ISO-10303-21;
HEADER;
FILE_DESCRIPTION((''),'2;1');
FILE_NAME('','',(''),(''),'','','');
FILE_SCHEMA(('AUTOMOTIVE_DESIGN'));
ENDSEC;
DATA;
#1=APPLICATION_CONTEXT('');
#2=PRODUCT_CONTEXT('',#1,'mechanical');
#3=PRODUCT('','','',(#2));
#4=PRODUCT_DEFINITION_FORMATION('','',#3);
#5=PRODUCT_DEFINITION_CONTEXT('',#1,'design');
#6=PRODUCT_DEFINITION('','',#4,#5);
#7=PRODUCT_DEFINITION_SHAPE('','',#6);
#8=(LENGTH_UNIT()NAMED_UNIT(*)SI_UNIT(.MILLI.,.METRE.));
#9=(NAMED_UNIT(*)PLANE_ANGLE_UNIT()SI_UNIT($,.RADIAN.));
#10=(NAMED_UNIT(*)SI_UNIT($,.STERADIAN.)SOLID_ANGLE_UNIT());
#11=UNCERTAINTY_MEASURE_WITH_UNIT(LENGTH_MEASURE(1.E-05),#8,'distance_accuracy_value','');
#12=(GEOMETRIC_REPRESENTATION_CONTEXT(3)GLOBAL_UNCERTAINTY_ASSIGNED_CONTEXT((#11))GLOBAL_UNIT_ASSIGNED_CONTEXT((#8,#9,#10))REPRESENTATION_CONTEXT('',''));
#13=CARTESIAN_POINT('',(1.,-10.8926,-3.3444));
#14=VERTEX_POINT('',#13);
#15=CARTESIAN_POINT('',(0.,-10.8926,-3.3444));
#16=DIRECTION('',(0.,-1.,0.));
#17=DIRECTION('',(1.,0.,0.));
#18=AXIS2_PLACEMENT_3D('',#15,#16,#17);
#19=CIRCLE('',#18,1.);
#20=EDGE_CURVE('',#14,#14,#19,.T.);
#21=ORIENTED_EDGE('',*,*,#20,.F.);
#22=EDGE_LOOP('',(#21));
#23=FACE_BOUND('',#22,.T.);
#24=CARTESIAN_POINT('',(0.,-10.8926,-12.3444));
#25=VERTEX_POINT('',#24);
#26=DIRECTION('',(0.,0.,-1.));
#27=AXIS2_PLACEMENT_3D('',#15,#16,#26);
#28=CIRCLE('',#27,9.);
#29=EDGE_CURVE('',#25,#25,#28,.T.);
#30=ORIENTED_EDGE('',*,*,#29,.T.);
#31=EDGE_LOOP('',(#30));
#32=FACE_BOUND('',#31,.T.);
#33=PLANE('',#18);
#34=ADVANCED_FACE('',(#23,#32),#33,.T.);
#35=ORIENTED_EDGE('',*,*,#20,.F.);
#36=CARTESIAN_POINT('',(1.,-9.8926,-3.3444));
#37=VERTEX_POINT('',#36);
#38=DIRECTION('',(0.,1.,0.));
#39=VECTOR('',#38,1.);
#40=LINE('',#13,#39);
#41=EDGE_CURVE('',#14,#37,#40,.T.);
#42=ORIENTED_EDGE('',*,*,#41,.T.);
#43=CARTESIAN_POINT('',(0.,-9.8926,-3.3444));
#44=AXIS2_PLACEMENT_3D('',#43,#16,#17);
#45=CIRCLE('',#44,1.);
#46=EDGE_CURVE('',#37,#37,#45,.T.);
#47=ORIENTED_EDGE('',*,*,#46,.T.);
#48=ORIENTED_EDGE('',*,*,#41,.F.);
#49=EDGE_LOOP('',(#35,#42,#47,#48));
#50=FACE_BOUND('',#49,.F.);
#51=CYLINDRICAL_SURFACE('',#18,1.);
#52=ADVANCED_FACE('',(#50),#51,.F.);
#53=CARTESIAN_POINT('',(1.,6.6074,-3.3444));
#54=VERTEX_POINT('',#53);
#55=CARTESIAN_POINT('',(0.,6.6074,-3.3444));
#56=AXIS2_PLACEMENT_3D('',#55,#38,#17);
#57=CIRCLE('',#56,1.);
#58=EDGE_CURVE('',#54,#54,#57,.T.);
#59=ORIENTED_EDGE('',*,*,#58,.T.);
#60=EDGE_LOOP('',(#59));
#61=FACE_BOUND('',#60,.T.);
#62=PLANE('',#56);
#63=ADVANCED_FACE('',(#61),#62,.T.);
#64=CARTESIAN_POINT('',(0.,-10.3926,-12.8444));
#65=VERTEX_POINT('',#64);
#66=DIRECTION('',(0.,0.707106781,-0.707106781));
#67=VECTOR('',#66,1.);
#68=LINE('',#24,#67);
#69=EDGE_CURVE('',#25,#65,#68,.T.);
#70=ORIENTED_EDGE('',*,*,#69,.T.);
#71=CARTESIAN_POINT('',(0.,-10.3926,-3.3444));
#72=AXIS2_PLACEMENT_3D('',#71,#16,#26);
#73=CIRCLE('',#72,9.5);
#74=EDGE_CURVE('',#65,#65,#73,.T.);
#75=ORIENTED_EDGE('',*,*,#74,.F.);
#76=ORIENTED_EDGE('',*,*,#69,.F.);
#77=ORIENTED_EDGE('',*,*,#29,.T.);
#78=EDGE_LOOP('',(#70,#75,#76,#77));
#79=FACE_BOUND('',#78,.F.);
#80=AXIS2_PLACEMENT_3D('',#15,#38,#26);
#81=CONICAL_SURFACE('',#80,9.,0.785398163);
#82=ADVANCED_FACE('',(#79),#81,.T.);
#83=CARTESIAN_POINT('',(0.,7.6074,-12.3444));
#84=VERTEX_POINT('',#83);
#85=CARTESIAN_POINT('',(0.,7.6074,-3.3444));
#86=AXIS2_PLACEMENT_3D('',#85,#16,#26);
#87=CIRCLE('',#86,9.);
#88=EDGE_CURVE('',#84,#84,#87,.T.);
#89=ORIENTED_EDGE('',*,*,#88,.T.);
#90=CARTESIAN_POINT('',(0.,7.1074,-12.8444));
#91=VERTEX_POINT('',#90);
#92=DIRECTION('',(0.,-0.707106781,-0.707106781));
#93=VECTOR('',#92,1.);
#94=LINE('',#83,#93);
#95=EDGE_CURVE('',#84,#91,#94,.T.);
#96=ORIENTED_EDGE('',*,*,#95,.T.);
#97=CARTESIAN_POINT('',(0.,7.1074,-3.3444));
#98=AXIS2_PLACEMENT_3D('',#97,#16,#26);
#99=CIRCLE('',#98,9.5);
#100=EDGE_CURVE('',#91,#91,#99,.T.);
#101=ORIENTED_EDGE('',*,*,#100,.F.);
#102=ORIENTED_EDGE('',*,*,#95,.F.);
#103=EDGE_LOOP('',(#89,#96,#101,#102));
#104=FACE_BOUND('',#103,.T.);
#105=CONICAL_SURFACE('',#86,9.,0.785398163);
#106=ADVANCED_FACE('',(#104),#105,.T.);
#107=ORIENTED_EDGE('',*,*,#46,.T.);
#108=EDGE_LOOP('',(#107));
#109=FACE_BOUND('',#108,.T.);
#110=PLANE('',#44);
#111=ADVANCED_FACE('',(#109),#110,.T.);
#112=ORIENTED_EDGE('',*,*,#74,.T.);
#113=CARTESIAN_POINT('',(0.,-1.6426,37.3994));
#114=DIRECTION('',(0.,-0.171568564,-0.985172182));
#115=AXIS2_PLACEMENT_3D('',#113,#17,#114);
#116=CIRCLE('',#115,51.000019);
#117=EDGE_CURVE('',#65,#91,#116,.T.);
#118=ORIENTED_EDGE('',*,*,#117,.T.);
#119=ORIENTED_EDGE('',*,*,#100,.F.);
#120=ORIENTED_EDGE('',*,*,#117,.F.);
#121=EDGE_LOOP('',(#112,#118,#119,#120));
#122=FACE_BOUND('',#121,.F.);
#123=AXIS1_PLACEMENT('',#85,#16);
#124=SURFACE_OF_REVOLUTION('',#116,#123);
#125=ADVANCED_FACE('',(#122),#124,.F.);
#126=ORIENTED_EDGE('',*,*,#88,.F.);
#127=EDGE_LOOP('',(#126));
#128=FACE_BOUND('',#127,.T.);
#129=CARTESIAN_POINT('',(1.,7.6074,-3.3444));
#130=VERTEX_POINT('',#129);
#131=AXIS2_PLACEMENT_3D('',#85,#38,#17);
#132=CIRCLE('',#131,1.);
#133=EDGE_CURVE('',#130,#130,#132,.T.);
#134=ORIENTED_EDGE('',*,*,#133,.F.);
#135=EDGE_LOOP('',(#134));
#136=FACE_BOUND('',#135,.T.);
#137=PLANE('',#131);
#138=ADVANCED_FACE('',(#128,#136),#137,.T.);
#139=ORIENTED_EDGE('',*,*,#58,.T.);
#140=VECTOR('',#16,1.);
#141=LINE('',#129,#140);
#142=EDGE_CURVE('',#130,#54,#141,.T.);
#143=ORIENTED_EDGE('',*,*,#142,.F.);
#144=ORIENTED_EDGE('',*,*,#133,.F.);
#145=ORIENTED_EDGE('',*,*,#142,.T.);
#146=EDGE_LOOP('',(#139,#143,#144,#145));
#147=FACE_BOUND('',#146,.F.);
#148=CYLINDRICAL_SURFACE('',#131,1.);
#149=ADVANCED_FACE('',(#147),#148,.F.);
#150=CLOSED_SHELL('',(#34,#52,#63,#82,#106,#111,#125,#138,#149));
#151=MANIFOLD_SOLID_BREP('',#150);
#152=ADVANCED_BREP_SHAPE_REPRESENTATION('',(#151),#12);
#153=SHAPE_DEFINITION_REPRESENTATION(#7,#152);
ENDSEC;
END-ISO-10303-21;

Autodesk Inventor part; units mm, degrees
ref_plane "YZ Plane" through (0, 0, 0) normal (1, 0, 0) x (0, 1, 0)
ref_plane "XZ Plane" through (0, 0, 0) normal (0, 1, 0) x (-1, 0, 0)
ref_plane "XY Plane" through (0, 0, 0) normal (0, 0, 1) x (1, 0, 0)
sketch "Sketch1" plane through (0, 0, 0) normal (1, 0, 0) x (0, 1, 0)
  line L0 (7.6074, 5.6556) -> (7.6074, -12.3444)
  line L1 (7.6074, 5.6556) -> (-10.8926, 5.6556)
  line L2 (-10.8926, 5.6556) -> (-10.8926, -12.3444)
  line L3 (-10.8926, -12.3444) -> (7.6074, -12.3444)
  line L4 (7.6074, -3.3444) -> (7.6074, -12.3444)
  line L5 (7.1074, -12.8444) -> (-10.3926, -12.8444)
  line L6 (-10.8926, -12.3444) -> (-10.8926, -12.3444)
  line L7 (7.6074, -12.3444) -> (7.1074, -12.8444)
  line L8 (-10.8926, -12.3444) -> (-10.3926, -12.8444)
  arc A0 (-10.3926, -12.8444) -> (7.1074, -12.8444) centre (-1.6426, 37.3994) ccw
  line L9 (7.6074, -3.3444) -> (-10.8926, -3.3444)
  line L10 (-10.8926, 5.6556) -> (7.6074, 5.6556)
  line L11 (7.1074, 6.1556) -> (-10.3926, 6.1556)
  line L12 (-10.8926, 5.6556) -> (-10.8926, 5.6556)
  line L13 (7.6074, 5.6556) -> (7.1074, 6.1556)
  line L14 (-10.8926, 5.6556) -> (-10.3926, 6.1556)
  arc A1 (7.1074, 6.1556) -> (-10.3926, 6.1556) centre (-1.6426, -44.0882) ccw
  line L15 (-1.6426, -13.6006) -> (-1.6426, -3.3444) construction
  point P0 (0, 0)
  point P1 (7.6074, -12.8444)
  point P2 (-10.8926, -12.8444)
  point P3 (7.6074, 6.1556)
  point P4 (-10.8926, 6.1556)
  point P5 (-1.6426, 6.9118)
  dimension "d0" = 18
  dimension "d1" = 18.5
  dimension "d2" = 9.5
  dimension "d3" = 0.5
  dimension "d4" = 0.5
  dimension "d5" = 0.5
  dimension "d6" = 0.5
  dimension "d7" = 51
  dimension "d8" = 10.2562
  dimension "d9" = 20.5124
revolve "Revolution1" add sketch "Sketch1" angle 360 about axis through (0, 7.6074, -3.3444) along (0, -1, 0) contours L0 L3 L2 L9 | L7 L5 L8 L3 | A0 L5
sketch "Sketch2" plane through (0, 7.6074, -3.3444) normal (0, 1, 0) x (1, 0, 0)
  circle A0 centre (0, 0) radius 1
  circle A1 centre (0, 0) radius 9.5 projected
  circle A2 centre (0, 0) radius 1.1
  point P0 (0, -3.3444)
  dimension "d11" = 2
  dimension "d12" = 2.2
extrude "Extrusion1" cut sketch "Sketch2" against normal blind 1.2 contours A0 | A2
sketch "Sketch3" plane through (0, -10.8926, -3.3444) normal (0, -1, 0) x (1, 0, 0)
  circle A0 centre (0, 0) radius 1.1 projected
  circle A1 centre (0, 0) radius 1.1
  point P0 (0, 3.3444)
extrude "Extrusion2" cut sketch "Sketch3" against normal blind 1.2
sketch "Sketch4" plane through (0, -10.8926, -3.3444) normal (0, -1, 0) x (1, 0, 0)
  circle A0 centre (0, 0) radius 1
  circle A1 centre (0, 0) radius 1.1
  point P0 (0, 3.3444)
  dimension "d17" = 2
extrude "Extrusion3" add sketch "Sketch4" against normal blind 1.2
sketch "Sketch5" plane through (0, 7.6074, -3.3444) normal (0, 1, 0) x (1, 0, 0)
  circle A0 centre (0, 0) radius 1
  circle A1 centre (0, 0) radius 1.1
  point P0 (0, -3.3444)
extrude "Extrusion4" add sketch "Sketch5" against normal blind 1.2
sketch "Sketch6" plane through (0, 6.4074, -3.3444) normal (0, 1, 0) x (1, 0, 0)
  circle A0 centre (0, 0) radius 1
  point P0 (0, -3.3444)
extrude "Extrusion5" add sketch "Sketch6" along normal blind 0.2
sketch "Sketch7" plane through (0, -9.6926, -3.3444) normal (0, -1, 0) x (1, 0, 0)
  circle A0 centre (0, 0) radius 1
  point P0 (0, 3.3444)
extrude "Extrusion6" add sketch "Sketch7" along normal blind 0.2
equation "\"d4\" = d3"
equation "\"d6\" = d5"
